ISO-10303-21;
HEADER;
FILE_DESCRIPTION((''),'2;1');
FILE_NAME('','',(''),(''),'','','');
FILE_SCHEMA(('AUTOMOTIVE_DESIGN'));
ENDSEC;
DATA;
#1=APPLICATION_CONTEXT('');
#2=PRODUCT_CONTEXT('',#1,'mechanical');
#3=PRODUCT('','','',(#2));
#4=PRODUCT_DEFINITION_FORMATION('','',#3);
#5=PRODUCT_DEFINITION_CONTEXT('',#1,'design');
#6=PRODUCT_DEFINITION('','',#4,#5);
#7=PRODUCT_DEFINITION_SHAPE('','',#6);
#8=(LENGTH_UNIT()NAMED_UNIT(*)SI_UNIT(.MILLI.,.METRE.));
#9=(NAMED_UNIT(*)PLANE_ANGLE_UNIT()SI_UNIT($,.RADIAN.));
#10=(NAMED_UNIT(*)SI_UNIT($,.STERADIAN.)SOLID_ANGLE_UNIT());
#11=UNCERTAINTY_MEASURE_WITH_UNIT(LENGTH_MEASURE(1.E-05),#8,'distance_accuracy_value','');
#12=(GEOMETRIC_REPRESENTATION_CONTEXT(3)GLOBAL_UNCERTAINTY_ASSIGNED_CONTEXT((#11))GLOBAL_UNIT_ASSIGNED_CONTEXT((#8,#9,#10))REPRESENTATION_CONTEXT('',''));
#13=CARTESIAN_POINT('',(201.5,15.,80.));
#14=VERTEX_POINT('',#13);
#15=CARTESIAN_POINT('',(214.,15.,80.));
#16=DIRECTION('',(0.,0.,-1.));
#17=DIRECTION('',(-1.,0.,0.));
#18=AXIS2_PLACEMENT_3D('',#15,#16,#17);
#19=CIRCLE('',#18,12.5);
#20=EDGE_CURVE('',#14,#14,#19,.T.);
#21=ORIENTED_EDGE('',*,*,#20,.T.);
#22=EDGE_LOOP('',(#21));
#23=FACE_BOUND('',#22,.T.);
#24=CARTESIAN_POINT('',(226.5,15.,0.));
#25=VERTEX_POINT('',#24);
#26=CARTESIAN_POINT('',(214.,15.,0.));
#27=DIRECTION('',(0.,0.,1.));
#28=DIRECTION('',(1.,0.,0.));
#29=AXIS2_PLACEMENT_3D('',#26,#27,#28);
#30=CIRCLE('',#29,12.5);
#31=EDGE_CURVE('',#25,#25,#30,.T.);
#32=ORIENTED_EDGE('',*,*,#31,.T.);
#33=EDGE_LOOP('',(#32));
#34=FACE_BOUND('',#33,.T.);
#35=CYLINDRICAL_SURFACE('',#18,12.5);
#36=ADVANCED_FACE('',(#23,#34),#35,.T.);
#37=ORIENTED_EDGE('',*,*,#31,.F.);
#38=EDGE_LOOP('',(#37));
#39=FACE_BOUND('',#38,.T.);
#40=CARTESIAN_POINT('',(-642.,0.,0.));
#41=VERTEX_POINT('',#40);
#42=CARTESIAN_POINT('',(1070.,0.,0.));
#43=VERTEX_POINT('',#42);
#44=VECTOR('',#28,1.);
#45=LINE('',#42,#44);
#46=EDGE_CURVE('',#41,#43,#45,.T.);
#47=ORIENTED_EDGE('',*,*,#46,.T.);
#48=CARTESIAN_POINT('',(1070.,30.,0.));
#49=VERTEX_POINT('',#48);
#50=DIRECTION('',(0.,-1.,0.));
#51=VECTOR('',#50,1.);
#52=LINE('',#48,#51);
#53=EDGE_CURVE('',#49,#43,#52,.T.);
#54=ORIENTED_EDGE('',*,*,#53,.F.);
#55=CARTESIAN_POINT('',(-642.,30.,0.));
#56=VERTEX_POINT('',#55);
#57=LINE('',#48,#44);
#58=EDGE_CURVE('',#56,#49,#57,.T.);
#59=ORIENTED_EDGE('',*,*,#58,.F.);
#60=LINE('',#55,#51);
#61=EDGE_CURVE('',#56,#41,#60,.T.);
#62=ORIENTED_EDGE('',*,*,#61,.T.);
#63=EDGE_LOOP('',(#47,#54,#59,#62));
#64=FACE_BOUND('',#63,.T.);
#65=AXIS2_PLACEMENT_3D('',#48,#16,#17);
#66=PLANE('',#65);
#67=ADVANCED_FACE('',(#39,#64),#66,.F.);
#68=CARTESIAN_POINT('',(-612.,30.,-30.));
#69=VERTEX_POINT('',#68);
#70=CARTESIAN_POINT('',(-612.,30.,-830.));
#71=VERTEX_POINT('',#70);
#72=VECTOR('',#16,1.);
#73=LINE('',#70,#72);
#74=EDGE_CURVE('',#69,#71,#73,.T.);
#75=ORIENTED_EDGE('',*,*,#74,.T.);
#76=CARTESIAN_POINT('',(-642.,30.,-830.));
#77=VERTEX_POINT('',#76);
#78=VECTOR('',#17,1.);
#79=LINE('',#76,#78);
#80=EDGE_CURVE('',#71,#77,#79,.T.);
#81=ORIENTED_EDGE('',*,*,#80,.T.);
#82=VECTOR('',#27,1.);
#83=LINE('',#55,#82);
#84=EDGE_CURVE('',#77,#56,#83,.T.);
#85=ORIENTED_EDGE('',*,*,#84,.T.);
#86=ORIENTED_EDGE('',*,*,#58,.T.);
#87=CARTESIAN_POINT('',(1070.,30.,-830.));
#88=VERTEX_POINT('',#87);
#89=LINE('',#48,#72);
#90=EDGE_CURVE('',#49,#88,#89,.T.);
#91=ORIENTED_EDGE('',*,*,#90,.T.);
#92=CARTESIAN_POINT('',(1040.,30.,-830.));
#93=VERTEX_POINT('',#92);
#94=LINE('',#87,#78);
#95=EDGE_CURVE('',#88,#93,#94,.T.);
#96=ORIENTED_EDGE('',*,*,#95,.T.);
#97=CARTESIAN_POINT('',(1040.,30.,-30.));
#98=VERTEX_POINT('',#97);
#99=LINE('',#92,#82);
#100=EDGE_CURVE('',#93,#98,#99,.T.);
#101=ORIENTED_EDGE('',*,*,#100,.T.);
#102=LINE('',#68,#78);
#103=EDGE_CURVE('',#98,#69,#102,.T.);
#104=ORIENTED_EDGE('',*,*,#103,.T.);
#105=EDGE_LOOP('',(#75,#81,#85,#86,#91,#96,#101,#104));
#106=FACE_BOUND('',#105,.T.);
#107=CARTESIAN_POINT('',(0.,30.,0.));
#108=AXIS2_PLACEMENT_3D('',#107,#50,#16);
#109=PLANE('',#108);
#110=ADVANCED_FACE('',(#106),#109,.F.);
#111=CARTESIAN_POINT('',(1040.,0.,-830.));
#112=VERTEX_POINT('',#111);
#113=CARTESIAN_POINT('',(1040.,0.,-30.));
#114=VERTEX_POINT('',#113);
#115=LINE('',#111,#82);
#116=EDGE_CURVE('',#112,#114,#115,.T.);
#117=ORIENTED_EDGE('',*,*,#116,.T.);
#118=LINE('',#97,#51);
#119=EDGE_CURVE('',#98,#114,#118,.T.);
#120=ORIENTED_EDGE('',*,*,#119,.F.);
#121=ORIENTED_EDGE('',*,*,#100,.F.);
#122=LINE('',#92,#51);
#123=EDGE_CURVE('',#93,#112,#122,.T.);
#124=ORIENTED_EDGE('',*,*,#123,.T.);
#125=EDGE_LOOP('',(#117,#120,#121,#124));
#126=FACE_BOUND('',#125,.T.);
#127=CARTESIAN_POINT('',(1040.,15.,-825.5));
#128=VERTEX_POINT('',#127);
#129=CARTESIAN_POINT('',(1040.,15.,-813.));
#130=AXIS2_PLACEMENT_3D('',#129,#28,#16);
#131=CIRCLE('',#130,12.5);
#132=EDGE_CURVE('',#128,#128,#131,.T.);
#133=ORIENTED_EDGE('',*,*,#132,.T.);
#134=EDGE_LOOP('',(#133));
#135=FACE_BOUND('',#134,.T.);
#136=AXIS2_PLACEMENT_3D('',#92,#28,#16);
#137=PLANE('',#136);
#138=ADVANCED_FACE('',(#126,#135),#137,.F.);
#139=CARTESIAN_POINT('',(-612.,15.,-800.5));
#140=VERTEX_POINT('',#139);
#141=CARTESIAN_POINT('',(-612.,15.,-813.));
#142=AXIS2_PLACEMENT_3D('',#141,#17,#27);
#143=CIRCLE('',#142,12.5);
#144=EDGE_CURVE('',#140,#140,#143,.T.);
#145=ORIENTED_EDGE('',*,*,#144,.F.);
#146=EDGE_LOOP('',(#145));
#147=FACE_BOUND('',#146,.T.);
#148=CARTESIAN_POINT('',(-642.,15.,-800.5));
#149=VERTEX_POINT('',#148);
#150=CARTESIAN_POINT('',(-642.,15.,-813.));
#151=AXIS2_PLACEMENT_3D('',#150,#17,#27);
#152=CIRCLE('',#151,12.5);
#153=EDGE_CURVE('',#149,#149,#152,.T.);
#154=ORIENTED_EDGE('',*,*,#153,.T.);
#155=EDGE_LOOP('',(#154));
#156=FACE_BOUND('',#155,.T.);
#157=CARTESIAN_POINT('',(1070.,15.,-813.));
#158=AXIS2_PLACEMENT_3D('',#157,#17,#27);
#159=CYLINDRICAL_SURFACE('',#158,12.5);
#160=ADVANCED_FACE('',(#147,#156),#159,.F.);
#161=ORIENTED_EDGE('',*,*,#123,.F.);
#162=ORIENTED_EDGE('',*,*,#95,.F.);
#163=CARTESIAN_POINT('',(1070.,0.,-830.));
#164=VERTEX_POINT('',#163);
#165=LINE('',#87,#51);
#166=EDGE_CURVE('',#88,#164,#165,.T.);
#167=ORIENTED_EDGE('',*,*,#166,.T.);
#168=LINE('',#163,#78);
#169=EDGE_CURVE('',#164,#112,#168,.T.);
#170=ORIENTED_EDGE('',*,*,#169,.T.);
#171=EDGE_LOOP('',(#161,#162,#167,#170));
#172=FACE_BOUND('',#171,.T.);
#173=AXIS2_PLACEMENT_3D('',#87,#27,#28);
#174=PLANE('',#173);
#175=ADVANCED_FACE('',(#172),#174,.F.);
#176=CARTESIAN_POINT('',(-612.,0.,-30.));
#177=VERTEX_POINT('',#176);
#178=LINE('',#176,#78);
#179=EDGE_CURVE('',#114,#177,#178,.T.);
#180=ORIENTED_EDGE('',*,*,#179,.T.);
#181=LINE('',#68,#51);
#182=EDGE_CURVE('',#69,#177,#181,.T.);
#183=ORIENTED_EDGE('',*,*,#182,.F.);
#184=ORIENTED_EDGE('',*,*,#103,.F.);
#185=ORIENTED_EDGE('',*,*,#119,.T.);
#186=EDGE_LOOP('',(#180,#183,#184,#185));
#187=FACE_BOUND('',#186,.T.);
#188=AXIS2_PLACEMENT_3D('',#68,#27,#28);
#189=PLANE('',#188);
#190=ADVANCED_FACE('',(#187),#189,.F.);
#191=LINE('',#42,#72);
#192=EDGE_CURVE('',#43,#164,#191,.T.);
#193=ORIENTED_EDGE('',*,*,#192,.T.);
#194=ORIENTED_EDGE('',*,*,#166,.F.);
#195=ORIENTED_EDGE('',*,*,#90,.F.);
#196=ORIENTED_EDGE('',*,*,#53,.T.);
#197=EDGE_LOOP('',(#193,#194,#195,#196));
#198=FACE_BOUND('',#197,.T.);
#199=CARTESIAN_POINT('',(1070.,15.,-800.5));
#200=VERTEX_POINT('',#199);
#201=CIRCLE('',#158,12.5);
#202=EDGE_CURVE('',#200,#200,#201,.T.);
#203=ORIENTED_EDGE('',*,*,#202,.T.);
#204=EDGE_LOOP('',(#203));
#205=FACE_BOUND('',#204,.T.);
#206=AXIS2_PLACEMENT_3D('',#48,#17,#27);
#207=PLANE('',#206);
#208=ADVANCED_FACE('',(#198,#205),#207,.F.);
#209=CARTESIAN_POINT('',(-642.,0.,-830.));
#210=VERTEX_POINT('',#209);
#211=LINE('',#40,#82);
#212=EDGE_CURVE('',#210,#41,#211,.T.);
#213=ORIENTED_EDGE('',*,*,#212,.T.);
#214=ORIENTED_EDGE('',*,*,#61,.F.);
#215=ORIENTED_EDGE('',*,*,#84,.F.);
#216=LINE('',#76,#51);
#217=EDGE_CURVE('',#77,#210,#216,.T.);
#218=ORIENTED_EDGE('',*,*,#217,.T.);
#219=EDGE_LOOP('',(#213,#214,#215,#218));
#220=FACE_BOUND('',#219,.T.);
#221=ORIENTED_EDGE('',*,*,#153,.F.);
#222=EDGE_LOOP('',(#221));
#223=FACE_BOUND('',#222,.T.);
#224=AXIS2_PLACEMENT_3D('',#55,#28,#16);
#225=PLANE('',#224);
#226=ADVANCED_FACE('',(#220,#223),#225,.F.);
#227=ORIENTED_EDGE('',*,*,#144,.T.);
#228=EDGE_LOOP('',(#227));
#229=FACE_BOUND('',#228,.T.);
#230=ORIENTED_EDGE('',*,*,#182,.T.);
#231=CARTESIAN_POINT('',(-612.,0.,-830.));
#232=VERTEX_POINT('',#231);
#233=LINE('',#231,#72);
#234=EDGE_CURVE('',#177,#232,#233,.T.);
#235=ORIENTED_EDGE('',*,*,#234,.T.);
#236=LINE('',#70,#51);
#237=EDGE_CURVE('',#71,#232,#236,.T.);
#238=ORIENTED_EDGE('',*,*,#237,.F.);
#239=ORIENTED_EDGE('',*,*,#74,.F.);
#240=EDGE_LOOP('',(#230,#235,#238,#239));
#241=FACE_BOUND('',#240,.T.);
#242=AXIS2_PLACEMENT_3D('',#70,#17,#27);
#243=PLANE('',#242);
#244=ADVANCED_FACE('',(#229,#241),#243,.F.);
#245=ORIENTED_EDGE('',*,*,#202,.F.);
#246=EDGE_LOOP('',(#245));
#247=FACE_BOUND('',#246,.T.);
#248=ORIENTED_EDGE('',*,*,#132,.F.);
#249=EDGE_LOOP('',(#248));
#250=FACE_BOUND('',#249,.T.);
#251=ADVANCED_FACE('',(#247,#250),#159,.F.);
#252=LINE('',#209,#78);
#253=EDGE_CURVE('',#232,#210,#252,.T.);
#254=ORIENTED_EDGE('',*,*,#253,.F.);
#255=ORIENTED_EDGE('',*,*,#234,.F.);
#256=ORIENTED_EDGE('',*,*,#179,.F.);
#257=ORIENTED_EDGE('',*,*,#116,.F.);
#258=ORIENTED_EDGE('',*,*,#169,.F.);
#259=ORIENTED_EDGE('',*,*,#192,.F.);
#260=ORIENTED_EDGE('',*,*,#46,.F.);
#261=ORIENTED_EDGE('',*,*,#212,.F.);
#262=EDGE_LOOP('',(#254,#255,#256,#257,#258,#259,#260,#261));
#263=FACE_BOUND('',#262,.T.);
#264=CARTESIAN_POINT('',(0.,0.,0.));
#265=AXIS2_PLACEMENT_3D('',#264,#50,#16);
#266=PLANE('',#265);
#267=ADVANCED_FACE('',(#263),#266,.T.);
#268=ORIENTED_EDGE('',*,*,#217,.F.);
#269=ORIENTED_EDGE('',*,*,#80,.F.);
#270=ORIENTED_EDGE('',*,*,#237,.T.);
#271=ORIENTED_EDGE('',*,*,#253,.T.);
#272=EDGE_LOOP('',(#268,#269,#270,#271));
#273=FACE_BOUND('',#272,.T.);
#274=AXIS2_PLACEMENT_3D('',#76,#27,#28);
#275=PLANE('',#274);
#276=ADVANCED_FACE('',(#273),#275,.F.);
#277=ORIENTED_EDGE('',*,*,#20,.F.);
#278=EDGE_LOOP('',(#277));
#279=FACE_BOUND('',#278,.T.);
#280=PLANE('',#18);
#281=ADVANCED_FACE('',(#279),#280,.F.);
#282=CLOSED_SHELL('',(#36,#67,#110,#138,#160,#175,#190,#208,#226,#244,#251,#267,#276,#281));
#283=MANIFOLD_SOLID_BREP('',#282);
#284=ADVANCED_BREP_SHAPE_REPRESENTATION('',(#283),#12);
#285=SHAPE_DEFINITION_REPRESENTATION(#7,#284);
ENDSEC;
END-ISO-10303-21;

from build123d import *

# Parameters (mm, degrees)
EXTRUDE_1_DEPTH     = 30
SKETCH_3_R          = 12.5
CUT_EXTRUDE_1_DEPTH = 1903.825267858
SKETCH_5_R          = 12.5
CUT_EXTRUDE_2_DEPTH = 1355.510981868
EXTRUDE_START       = -110
SKETCH_7_R          = 12.5
EXTRUDE_3_DEPTH     = 110


with BuildPart() as part:
    # Эскиз1 → Бобышка-Вытянуть1 (new body)
    with BuildSketch(Plane(origin=(0, 0, 0), x_dir=(1, 0, 0), z_dir=(0, 1, 0))):
        Polygon((1070, 0), (-642, 0), (-642, 830), (-612, 830), (-612, 30), (1040, 30), (1040, 830), (1070, 830), align=None)
    extrude(amount=EXTRUDE_1_DEPTH)

    # Эскиз3 → Вырез-Вытянуть1 (cut, through all)
    with BuildSketch(Plane.ZY.offset(642)):
        with Locations((-813, 15)):
            Circle(SKETCH_3_R)
    extrude(amount=-CUT_EXTRUDE_1_DEPTH, mode=Mode.SUBTRACT)

    # Эскиз5 → Вырез-Вытянуть2 (cut, through all)
    with BuildSketch(Plane.XY):
        with Locations((214, 15)):
            Circle(SKETCH_5_R)
    extrude(amount=-CUT_EXTRUDE_2_DEPTH, mode=Mode.SUBTRACT)

    # Эскиз7 → Бобышка-Вытянуть3 (add)
    with BuildSketch(Plane(origin=(0, 0, -30), x_dir=(-1, 0, 0), z_dir=(0, 0, -1)).offset(EXTRUDE_START)):
        with Locations((-214, 15)):
            Circle(SKETCH_7_R)
    extrude(amount=EXTRUDE_3_DEPTH)


solid = part.part
